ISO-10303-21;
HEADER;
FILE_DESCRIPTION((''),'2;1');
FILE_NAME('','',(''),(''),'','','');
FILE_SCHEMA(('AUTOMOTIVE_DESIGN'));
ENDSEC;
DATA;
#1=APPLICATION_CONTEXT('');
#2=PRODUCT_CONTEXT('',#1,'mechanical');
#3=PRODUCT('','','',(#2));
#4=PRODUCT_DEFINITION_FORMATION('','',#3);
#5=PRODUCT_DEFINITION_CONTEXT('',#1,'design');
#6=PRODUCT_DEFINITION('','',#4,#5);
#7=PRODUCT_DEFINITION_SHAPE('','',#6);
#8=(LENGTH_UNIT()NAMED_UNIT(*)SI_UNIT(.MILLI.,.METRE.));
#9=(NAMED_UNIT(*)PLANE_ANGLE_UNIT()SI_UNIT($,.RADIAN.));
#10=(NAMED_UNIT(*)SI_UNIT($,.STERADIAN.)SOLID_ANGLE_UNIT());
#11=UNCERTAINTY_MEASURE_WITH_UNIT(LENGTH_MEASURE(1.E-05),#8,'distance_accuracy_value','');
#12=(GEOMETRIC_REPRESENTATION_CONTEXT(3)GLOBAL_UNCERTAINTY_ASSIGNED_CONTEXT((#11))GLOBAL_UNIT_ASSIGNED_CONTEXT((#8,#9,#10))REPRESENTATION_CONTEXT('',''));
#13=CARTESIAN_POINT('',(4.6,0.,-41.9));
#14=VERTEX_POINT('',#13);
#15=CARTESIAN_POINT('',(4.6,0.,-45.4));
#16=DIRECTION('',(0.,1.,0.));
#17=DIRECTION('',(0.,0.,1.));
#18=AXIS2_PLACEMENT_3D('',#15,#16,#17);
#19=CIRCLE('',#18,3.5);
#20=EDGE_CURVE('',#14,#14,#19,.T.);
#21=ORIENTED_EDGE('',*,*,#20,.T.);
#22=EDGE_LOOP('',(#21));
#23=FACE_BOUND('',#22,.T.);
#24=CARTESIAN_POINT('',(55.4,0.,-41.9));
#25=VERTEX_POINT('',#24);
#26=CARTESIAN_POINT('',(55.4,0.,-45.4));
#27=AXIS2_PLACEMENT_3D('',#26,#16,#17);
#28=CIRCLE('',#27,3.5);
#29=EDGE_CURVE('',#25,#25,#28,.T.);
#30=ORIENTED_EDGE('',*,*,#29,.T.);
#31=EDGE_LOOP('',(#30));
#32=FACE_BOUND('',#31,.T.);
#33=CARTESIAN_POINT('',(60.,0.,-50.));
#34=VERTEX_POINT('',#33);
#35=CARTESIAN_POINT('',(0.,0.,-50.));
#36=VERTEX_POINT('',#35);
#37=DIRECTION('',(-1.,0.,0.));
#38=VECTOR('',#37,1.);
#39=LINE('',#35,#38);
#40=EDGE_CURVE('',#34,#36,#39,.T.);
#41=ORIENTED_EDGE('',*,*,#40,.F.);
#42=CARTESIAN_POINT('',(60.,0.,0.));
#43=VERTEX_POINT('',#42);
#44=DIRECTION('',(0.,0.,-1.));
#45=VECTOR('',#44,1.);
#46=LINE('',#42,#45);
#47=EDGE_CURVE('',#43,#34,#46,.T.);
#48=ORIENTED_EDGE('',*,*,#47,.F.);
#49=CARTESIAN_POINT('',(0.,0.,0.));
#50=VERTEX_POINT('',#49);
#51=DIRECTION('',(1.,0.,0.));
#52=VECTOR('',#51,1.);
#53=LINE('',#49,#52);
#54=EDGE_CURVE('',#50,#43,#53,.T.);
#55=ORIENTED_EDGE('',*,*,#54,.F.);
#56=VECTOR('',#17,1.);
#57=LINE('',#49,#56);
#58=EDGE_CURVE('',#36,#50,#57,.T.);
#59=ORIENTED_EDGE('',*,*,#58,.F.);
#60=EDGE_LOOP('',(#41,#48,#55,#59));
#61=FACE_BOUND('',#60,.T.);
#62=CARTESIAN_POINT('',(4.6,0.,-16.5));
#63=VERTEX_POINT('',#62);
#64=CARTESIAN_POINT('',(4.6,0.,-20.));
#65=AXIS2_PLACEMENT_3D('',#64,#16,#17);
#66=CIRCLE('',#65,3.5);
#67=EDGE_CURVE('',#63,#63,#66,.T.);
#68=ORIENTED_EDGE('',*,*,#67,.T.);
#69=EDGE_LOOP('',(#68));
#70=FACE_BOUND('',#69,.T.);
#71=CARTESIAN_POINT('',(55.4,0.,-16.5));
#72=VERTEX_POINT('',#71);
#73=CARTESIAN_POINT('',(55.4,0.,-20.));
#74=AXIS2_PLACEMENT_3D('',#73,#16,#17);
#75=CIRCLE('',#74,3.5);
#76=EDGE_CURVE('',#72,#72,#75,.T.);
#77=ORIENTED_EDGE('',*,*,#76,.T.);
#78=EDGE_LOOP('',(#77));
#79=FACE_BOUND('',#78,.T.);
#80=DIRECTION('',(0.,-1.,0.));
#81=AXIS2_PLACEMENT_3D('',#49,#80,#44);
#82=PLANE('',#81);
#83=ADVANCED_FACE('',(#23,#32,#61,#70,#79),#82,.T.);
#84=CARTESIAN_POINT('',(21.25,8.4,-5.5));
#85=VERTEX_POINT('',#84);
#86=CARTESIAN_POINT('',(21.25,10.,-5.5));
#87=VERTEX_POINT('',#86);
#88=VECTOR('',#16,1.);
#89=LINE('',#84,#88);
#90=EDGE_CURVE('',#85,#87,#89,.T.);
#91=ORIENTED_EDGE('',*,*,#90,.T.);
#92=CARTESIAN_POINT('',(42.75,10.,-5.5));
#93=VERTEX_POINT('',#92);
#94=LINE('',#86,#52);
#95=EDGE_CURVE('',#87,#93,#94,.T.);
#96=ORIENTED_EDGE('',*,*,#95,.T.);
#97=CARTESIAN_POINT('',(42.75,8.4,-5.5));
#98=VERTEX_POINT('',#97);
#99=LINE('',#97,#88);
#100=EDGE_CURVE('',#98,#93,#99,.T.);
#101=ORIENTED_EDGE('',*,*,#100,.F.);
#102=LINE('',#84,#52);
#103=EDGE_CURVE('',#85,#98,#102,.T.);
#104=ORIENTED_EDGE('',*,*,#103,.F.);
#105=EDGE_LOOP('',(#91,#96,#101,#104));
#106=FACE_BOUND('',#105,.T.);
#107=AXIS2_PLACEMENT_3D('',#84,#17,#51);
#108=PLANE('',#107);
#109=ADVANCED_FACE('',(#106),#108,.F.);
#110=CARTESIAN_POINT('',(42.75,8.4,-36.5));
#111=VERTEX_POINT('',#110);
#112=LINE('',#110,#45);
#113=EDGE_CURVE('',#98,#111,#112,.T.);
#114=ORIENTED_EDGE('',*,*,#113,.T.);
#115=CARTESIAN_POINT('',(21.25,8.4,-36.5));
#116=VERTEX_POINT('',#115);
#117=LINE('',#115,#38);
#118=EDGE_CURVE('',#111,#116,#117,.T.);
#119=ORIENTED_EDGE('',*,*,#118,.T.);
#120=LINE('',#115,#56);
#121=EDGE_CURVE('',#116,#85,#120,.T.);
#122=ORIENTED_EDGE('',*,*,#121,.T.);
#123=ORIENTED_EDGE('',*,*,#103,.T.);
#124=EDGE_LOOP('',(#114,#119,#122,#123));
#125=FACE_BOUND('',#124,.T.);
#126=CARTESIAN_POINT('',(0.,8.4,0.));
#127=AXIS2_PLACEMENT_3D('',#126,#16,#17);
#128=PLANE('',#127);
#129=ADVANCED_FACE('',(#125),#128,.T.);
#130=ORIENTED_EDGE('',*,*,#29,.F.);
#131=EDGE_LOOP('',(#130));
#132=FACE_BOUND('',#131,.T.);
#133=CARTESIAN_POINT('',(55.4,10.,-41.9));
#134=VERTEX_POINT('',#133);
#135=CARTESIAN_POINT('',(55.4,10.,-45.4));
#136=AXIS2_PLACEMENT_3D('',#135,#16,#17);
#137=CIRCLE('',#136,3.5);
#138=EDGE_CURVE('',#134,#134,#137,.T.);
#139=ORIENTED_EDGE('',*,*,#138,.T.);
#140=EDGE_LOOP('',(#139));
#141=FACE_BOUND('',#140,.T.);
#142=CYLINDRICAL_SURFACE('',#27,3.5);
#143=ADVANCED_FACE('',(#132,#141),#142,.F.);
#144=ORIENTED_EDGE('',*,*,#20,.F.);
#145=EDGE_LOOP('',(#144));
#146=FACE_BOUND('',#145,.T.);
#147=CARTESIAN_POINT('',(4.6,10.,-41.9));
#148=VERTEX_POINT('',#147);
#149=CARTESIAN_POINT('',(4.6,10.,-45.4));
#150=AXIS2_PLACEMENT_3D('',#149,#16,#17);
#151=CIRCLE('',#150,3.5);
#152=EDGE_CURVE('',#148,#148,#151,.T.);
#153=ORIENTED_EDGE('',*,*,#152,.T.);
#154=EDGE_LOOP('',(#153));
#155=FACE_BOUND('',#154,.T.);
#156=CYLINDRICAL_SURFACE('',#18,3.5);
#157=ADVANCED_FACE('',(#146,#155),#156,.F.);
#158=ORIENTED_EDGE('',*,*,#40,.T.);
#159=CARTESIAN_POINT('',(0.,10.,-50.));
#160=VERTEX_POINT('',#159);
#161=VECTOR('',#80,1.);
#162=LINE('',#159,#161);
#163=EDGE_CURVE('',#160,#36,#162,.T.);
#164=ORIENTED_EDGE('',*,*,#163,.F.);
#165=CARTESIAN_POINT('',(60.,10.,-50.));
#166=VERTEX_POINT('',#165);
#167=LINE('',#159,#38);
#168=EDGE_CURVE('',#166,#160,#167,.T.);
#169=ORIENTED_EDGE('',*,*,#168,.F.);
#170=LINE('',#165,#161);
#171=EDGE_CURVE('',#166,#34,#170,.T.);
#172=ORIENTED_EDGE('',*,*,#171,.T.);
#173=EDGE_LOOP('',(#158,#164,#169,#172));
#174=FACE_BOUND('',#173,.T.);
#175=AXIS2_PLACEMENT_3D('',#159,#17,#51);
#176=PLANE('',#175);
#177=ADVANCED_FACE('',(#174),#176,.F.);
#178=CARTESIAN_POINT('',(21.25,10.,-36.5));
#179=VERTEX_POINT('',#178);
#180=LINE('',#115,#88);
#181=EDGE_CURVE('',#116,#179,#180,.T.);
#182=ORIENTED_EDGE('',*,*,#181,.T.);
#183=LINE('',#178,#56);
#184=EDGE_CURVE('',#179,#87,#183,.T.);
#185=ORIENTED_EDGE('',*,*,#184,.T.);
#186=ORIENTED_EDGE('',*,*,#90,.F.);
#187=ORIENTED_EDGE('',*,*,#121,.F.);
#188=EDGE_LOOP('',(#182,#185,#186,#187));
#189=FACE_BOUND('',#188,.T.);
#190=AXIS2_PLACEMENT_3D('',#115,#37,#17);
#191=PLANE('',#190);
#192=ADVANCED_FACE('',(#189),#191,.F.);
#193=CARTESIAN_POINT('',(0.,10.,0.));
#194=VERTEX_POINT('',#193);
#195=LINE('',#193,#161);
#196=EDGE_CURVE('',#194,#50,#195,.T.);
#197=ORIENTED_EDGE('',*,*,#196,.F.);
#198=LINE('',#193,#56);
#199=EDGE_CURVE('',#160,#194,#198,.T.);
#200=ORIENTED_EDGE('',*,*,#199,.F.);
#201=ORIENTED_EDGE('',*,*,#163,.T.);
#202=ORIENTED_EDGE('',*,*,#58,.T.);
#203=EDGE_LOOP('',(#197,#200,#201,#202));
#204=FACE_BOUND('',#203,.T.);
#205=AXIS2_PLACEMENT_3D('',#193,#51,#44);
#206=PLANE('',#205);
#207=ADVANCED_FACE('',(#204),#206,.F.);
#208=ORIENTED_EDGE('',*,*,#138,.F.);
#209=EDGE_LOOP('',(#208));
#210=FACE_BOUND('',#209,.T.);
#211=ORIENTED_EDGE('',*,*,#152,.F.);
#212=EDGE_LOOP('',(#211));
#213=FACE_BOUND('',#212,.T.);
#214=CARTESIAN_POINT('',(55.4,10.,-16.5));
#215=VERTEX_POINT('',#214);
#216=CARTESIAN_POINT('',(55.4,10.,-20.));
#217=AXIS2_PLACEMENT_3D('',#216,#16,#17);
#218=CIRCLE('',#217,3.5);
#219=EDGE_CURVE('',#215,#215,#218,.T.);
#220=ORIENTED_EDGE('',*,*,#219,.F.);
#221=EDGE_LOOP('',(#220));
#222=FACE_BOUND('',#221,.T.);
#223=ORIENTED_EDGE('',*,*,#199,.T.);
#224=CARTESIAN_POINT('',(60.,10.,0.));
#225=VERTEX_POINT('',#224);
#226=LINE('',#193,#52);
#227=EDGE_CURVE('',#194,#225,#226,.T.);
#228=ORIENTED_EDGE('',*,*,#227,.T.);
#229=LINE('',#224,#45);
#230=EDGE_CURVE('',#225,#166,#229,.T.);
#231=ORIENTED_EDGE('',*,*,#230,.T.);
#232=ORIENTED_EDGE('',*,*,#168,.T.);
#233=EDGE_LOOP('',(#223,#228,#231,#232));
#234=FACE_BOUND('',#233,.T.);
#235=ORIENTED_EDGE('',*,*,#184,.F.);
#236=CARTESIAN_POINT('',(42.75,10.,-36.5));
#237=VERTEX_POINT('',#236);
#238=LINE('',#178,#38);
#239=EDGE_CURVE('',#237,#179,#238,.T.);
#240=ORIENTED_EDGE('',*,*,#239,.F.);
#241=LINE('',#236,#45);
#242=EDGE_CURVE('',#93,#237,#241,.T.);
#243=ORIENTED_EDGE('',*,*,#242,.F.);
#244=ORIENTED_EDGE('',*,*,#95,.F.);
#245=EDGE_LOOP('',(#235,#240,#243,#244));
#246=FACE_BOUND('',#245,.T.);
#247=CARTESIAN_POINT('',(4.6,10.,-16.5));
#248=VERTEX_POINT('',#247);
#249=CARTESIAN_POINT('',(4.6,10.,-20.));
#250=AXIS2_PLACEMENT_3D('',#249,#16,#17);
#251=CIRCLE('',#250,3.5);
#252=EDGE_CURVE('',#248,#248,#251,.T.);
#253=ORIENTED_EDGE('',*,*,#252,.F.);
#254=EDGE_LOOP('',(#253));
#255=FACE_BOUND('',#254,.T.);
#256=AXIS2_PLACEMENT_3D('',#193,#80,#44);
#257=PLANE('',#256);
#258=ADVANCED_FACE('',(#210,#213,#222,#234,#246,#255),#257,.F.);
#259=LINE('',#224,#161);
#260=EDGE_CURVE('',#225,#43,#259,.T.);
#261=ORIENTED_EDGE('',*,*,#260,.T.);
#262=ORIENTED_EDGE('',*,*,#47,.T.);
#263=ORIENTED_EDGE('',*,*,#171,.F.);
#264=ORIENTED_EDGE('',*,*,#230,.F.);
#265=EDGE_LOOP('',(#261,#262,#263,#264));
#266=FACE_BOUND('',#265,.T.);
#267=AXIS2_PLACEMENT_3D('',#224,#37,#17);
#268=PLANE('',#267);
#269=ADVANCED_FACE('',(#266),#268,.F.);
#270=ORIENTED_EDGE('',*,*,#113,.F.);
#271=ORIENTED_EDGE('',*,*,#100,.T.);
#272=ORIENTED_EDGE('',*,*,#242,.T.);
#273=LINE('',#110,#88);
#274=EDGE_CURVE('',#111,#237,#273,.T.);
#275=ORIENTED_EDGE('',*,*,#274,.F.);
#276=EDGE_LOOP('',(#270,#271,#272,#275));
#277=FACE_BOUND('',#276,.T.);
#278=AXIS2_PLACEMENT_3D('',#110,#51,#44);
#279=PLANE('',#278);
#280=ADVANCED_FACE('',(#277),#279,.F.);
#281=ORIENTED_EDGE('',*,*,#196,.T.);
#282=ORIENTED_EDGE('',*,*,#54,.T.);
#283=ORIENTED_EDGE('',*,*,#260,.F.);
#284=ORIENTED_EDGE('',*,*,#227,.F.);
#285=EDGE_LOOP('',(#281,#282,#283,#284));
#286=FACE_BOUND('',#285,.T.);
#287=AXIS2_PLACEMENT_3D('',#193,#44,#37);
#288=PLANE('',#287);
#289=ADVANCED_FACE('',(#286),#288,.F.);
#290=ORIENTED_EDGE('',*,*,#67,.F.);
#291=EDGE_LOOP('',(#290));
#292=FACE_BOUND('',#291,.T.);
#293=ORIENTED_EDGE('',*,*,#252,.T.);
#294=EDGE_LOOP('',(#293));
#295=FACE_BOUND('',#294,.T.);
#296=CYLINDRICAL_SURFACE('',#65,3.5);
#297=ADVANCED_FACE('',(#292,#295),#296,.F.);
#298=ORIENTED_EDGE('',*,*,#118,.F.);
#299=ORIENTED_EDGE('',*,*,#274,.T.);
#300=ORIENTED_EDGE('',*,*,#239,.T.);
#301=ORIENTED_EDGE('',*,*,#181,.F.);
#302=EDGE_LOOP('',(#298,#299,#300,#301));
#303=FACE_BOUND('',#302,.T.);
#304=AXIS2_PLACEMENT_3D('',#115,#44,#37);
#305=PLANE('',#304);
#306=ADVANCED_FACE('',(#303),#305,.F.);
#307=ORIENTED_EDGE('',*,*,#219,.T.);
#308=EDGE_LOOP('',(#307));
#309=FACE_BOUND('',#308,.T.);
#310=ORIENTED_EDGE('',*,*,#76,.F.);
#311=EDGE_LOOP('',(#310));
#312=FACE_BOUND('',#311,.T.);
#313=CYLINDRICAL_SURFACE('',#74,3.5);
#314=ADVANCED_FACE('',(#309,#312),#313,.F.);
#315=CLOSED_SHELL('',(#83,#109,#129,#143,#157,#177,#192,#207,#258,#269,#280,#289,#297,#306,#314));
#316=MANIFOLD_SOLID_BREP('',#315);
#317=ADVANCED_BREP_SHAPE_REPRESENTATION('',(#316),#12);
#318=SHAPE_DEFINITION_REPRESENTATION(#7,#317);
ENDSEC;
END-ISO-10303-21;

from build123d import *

# Parameters (mm, degrees)
SKETCH2_W           = 60
SKETCH2_H           = 50
BOSS_EXTRUDE1_DEPTH = 10
SKETCH1_R           = 3.5
CUT_EXTRUDE1_DEPTH  = 10
SKETCH3_W           = 21.5
SKETCH3_H           = 31
CUT_EXTRUDE2_DEPTH  = 1.6


with BuildPart() as part:
    # Sketch2 → Boss-Extrude1 (new body)
    with BuildSketch(Plane(origin=(0, 0, 0), x_dir=(1, 0, 0), z_dir=(0, 1, 0))):
        with Locations((30, 25)):
            Rectangle(SKETCH2_W, SKETCH2_H)
    extrude(amount=BOSS_EXTRUDE1_DEPTH)

    # Sketch1 → Cut-Extrude1 (cut)
    with BuildSketch(Plane(origin=(0, 10, 0), x_dir=(1, 0, 0), z_dir=(0, 1, 0))):
        with BuildLine():
            Line((4.6, 48.9), (4.6, 45.4))
            Line((4.6, 45.4), (1.1, 45.4))
            ThreePointArc((1.1, 45.4), (4.6, 41.9), (8.1, 45.4))
            ThreePointArc((8.1, 45.4), (7.074873734, 47.874873734), (4.6, 48.9))
        make_face()
        with BuildLine():
            Line((1.1, 45.4), (4.6, 45.4))
            Line((4.6, 45.4), (4.6, 48.9))
            ThreePointArc((4.6, 48.9), (2.125126266, 47.874873734), (1.1, 45.4))
        make_face()
        with Locations((55.4, 45.4)):
            Circle(SKETCH1_R)
        with Locations((4.6, 20)):
            Circle(SKETCH1_R)
        with Locations((55.4, 20)):
            Circle(SKETCH1_R)
    extrude(amount=-CUT_EXTRUDE1_DEPTH, mode=Mode.SUBTRACT)

    # Sketch3 → Cut-Extrude2 (cut)
    with BuildSketch(Plane(origin=(0, 10, 0), x_dir=(1, 0, 0), z_dir=(0, 1, 0))):
        with Locations((32, 21)):
            Rectangle(SKETCH3_W, SKETCH3_H)
    extrude(amount=-CUT_EXTRUDE2_DEPTH, mode=Mode.SUBTRACT)


solid = part.part
